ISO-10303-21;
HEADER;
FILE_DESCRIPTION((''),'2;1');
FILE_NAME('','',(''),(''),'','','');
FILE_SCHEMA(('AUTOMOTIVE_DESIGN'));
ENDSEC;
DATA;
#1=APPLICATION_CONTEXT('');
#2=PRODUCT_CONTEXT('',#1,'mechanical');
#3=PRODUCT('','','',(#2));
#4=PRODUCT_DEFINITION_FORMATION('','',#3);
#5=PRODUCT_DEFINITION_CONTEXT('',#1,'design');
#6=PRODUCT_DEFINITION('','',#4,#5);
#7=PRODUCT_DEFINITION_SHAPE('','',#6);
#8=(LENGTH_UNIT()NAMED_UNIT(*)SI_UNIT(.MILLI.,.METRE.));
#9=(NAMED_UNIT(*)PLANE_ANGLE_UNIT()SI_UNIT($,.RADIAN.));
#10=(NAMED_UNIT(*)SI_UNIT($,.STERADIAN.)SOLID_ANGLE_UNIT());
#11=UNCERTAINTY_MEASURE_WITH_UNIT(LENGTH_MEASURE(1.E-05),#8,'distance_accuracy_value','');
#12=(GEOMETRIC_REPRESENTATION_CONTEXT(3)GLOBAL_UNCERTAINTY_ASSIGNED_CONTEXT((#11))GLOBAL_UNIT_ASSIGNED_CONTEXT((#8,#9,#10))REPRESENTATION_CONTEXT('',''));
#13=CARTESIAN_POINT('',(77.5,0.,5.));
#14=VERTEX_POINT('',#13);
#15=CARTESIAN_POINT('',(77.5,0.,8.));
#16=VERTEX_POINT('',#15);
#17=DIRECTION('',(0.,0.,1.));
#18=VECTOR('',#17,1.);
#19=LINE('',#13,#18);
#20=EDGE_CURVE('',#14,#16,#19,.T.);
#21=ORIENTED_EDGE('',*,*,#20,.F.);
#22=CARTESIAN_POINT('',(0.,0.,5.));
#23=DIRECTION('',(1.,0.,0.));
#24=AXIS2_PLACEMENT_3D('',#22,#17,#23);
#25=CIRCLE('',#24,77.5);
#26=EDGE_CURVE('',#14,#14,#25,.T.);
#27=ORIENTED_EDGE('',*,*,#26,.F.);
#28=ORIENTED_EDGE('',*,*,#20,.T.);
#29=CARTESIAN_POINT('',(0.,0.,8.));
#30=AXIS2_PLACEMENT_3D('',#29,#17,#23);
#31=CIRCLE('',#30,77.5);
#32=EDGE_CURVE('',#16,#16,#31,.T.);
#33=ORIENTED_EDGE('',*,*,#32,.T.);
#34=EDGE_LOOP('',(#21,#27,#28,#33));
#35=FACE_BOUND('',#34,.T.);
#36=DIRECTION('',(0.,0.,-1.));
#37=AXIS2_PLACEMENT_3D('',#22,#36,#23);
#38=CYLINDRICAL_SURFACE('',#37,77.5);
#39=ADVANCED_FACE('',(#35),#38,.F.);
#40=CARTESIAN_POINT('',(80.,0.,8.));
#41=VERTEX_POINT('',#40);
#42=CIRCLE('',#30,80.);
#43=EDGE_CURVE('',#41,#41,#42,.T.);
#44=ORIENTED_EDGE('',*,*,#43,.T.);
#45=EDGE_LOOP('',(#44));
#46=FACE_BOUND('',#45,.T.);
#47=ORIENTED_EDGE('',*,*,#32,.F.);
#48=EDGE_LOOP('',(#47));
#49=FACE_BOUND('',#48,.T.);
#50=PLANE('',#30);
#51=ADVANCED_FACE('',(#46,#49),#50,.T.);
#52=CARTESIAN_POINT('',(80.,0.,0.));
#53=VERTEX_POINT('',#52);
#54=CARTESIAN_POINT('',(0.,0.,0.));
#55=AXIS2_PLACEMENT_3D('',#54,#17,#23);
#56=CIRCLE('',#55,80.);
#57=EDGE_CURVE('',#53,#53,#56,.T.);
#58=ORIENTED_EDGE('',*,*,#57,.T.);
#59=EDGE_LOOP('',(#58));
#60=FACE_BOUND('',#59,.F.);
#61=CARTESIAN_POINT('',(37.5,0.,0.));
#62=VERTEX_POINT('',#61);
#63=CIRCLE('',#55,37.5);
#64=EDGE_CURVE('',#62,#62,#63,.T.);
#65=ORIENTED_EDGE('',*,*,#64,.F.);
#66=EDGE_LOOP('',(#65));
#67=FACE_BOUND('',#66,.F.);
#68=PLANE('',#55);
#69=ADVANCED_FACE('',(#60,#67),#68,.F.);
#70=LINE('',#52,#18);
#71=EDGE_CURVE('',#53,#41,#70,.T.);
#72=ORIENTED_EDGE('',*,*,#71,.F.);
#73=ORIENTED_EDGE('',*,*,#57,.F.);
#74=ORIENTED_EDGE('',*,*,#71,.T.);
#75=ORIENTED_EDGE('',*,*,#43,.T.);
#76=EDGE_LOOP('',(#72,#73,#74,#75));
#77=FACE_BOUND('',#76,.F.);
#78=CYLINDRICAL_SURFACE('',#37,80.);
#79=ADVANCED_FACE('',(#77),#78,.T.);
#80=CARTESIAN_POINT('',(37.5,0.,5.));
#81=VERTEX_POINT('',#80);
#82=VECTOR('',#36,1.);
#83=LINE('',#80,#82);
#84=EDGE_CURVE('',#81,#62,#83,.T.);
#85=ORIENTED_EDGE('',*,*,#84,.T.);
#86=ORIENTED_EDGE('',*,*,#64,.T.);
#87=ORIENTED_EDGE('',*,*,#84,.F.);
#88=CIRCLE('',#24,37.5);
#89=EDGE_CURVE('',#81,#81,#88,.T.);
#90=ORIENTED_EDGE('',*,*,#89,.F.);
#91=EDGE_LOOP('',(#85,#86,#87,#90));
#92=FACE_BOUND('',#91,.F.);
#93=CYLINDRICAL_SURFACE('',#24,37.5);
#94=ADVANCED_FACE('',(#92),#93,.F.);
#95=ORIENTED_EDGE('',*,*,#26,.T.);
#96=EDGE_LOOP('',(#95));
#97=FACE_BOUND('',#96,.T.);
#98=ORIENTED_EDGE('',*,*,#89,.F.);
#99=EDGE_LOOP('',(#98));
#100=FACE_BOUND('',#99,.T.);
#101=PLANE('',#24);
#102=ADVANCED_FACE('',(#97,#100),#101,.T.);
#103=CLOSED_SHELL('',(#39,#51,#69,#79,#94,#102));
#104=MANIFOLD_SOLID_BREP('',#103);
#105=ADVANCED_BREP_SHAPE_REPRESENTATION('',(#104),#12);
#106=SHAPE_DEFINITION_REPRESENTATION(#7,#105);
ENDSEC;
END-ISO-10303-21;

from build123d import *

# Parameters (mm, degrees)
F0_R     = 80
F1_DEPTH = 5
F2_R     = 37.5
F3_DEPTH = 5.001
F4_R     = 80
F4_R_2   = 77.5
F5_DEPTH = 3


with BuildPart() as f1:
    # F0 (on Top) → F1 (new body)
    with BuildSketch(Plane.XY):
        Circle(F0_R)
    extrude(amount=F1_DEPTH)

    # F2 (on face) → F3 (cut, through all)
    with BuildSketch(Plane.XY.offset(5)):
        Circle(F2_R)
    extrude(amount=-F3_DEPTH, mode=Mode.SUBTRACT)

    # F4 (on face) → F5 (join)
    with BuildSketch(Plane.XY.offset(5)):
        Circle(F4_R)
        Circle(F4_R_2, mode=Mode.SUBTRACT)
    extrude(amount=F5_DEPTH)


solid = f1.part
